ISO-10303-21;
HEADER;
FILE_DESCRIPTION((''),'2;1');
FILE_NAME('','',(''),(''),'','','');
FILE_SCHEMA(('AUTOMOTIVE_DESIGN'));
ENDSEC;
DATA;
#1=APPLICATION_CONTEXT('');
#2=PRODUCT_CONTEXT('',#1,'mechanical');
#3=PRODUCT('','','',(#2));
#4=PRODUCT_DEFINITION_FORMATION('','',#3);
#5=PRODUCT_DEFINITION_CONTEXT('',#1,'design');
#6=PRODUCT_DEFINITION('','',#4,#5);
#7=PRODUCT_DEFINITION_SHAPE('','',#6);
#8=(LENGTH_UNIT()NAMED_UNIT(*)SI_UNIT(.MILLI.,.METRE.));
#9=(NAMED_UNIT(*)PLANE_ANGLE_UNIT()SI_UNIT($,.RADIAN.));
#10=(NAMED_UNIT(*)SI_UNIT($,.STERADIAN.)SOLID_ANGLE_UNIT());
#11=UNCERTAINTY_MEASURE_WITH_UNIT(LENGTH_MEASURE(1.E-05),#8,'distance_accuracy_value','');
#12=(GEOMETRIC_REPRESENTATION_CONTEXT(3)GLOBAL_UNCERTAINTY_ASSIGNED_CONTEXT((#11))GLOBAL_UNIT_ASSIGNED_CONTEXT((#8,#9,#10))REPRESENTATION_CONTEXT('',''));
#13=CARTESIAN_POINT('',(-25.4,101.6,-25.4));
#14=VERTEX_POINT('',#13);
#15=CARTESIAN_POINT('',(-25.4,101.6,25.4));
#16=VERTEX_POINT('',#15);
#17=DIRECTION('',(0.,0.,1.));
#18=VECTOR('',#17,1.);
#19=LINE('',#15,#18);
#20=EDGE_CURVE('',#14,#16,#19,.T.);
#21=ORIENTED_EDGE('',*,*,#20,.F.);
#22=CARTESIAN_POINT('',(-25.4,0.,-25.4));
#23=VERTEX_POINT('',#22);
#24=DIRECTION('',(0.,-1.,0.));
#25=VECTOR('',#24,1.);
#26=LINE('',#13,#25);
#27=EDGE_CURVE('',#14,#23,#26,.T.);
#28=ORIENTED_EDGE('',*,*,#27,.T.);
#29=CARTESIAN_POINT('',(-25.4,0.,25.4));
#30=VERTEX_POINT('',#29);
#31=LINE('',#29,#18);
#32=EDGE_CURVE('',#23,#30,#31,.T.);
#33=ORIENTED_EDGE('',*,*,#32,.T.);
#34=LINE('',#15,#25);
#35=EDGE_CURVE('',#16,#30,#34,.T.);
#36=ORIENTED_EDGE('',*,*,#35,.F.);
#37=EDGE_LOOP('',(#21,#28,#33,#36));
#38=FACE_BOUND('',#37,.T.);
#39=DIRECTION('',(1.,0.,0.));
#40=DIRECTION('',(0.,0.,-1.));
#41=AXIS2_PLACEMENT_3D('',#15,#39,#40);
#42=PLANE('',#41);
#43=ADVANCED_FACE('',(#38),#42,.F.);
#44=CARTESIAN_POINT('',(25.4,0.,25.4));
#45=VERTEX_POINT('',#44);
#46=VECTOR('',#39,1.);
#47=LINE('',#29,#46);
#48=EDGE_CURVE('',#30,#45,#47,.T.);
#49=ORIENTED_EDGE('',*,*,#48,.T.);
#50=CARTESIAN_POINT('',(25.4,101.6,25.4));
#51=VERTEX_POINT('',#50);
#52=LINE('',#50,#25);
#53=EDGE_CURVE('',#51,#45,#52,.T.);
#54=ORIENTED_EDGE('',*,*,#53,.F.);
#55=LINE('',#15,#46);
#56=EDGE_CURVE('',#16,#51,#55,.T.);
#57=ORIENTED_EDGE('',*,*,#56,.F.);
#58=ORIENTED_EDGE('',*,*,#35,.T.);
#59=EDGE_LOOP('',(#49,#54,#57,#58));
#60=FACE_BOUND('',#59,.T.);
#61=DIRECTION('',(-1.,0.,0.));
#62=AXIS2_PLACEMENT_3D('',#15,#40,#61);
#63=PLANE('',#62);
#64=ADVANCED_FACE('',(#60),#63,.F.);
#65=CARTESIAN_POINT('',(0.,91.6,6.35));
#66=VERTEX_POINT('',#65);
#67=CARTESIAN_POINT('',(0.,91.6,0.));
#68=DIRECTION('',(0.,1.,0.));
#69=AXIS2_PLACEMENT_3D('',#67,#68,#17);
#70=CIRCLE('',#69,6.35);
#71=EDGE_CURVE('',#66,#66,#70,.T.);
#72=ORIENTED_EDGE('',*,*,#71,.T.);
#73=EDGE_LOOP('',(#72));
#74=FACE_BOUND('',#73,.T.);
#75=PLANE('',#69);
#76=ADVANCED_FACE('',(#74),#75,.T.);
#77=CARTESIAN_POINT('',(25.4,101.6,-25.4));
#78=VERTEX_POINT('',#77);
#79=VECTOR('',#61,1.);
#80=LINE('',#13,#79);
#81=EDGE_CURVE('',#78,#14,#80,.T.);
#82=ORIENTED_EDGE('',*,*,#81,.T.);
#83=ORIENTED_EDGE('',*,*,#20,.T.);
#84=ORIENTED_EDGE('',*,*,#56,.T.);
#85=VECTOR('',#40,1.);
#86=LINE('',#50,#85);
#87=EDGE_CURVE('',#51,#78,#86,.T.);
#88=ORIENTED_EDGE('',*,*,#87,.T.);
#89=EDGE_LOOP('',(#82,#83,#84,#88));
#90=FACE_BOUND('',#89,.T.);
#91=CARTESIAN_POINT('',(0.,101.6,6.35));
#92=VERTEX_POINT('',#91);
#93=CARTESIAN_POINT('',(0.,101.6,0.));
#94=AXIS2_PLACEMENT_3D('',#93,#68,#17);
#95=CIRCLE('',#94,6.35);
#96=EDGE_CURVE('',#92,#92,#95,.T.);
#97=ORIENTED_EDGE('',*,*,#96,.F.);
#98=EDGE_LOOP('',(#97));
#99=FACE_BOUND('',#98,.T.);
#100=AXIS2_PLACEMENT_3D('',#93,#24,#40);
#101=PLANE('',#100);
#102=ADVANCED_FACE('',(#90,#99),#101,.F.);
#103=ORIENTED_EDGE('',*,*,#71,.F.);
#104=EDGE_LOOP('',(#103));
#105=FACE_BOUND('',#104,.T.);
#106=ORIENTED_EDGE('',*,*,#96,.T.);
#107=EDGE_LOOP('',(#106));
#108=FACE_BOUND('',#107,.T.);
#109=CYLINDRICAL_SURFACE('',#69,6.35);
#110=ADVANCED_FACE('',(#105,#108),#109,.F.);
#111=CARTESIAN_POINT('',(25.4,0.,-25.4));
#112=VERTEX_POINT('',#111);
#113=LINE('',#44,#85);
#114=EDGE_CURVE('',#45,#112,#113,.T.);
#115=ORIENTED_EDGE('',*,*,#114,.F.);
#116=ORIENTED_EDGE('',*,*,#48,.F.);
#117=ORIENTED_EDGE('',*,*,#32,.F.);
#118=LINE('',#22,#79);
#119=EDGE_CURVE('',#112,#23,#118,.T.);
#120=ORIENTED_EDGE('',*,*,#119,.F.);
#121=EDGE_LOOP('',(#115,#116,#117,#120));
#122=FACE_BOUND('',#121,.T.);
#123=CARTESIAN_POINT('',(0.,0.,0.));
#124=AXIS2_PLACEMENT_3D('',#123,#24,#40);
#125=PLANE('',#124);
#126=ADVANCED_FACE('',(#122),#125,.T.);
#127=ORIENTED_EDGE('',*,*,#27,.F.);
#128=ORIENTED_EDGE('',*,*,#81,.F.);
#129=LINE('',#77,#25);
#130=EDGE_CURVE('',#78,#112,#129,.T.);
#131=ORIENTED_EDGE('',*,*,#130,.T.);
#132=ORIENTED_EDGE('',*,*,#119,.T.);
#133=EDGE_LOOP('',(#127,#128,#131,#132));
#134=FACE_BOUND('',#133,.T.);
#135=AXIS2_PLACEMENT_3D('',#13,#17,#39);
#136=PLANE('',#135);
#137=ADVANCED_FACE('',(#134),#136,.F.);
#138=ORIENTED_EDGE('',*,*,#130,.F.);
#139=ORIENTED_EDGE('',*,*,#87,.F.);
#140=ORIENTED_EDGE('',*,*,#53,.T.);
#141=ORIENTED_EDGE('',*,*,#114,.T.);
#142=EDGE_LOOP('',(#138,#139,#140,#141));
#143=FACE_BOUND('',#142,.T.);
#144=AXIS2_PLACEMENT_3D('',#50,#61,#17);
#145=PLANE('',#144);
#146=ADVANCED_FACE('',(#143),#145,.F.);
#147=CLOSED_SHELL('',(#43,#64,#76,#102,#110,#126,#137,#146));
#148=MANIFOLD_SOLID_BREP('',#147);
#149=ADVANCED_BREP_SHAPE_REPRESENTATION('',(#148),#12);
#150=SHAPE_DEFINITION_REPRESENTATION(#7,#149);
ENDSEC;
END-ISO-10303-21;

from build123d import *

# Parameters (mm, degrees)
SKETCH1_W           = 50.8
SKETCH1_H           = 50.8
BOSS_EXTRUDE1_DEPTH = 101.6
SKETCH2_R           = 6.35
CUT_EXTRUDE1_DEPTH  = 10


with BuildPart() as part:
    # Sketch1 → Boss-Extrude1 (new body)
    with BuildSketch(Plane(origin=(0, 0, 0), x_dir=(1, 0, 0), z_dir=(0, 1, 0))):
        Rectangle(SKETCH1_W, SKETCH1_H)
    extrude(amount=BOSS_EXTRUDE1_DEPTH)

    # Sketch2 → Cut-Extrude1 (cut)
    with BuildSketch(Plane(origin=(0, 101.6, 0), x_dir=(1, 0, 0), z_dir=(0, 1, 0))):
        with Locations(Location((0, 0, 0), (0, 0, 270))):
            Circle(SKETCH2_R)
    extrude(amount=-CUT_EXTRUDE1_DEPTH, mode=Mode.SUBTRACT)


solid = part.part
